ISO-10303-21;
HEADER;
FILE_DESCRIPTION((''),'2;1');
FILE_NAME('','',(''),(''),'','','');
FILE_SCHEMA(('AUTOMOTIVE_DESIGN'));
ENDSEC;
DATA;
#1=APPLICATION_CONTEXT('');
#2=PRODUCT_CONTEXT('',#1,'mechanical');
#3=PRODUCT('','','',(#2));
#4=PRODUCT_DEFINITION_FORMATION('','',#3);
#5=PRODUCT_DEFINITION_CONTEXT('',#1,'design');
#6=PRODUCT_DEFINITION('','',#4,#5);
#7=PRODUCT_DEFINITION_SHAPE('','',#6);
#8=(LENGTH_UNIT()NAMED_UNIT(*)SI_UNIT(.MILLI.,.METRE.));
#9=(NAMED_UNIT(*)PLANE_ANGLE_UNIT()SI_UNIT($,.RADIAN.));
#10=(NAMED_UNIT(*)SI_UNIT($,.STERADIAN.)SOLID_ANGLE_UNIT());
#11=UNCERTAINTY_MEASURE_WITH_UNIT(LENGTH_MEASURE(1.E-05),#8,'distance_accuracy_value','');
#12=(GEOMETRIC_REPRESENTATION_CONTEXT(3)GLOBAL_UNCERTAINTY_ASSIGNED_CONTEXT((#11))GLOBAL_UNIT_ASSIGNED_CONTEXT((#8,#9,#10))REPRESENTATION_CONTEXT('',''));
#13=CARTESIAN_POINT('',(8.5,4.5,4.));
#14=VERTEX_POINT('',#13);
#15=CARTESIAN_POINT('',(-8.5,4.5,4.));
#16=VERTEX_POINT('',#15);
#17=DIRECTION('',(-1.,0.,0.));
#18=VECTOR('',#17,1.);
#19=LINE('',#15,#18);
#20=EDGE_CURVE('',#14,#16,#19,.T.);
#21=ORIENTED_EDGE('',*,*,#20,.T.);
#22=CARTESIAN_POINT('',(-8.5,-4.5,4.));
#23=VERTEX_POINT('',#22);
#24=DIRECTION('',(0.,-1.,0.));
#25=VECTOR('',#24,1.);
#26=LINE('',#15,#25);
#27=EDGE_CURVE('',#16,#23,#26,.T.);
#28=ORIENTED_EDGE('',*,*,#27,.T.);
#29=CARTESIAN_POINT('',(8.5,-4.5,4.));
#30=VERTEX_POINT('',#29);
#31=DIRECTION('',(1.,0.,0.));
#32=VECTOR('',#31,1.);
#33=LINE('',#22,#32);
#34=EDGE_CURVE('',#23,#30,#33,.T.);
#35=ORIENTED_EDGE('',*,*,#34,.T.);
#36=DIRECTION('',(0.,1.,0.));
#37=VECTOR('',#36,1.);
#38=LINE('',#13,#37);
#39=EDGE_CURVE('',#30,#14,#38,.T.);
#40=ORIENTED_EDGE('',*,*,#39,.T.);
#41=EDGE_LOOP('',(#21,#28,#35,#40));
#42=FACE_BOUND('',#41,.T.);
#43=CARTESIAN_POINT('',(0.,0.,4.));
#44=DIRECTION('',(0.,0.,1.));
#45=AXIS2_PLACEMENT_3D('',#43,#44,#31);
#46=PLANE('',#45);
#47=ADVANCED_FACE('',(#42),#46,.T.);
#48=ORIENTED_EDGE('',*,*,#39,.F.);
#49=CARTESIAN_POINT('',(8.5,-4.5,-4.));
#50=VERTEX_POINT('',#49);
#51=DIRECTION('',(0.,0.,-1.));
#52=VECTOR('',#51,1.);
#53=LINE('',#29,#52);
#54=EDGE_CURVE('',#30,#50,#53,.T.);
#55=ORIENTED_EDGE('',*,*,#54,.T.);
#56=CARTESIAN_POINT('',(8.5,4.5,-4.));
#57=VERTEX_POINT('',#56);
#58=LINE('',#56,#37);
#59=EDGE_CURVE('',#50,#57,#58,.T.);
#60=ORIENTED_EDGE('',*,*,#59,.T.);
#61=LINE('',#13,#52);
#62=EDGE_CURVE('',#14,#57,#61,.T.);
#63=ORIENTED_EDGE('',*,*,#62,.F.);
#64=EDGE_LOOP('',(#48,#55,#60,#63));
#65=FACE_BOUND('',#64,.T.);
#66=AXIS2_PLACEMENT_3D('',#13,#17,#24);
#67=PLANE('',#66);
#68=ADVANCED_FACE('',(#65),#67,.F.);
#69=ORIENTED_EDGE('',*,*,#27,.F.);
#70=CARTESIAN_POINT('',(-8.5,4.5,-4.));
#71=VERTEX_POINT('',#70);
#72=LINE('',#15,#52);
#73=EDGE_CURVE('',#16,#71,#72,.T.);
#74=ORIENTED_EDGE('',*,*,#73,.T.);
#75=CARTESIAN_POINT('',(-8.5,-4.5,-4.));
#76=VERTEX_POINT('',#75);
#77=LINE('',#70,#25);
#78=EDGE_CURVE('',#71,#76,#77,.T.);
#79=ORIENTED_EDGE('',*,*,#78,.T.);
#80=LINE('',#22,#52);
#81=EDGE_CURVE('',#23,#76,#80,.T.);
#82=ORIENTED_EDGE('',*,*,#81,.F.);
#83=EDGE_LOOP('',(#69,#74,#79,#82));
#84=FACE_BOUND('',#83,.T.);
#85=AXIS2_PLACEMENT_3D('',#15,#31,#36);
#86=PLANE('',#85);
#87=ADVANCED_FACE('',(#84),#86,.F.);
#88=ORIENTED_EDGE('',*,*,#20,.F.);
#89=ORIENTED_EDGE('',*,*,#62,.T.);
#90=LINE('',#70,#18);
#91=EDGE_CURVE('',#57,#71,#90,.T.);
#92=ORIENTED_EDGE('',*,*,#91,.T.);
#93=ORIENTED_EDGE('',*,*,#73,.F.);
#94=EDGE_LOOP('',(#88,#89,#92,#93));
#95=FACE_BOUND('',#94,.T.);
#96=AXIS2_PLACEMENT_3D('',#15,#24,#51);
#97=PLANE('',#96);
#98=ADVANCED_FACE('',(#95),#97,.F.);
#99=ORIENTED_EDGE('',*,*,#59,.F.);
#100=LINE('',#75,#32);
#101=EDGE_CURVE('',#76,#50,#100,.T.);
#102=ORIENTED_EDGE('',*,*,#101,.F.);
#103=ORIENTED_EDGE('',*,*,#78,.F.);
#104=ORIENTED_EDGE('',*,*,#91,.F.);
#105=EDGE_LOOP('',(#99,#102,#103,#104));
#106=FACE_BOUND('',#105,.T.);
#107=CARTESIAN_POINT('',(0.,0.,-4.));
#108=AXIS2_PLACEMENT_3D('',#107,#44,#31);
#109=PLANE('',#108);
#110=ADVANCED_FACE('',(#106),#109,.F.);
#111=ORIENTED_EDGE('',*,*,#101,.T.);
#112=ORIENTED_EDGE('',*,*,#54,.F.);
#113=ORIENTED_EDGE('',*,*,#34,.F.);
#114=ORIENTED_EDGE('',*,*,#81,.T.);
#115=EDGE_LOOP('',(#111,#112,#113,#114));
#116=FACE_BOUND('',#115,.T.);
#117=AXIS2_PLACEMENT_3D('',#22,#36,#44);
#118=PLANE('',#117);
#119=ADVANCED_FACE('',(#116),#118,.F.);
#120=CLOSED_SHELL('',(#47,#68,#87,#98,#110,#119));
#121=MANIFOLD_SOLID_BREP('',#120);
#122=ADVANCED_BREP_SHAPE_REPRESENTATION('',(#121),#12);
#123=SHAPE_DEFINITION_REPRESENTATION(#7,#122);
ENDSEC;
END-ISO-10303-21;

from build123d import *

# Parameters (mm, degrees)
BODY_2_W   = 17
BODY_2_H   = 9
BODY_DEPTH = 4


with BuildPart() as part:
    # body 2 → body (new body, symmetric)
    with BuildSketch(Plane.XY):
        Rectangle(BODY_2_W, BODY_2_H)
    extrude(amount=BODY_DEPTH, both=True)


solid = part.part
